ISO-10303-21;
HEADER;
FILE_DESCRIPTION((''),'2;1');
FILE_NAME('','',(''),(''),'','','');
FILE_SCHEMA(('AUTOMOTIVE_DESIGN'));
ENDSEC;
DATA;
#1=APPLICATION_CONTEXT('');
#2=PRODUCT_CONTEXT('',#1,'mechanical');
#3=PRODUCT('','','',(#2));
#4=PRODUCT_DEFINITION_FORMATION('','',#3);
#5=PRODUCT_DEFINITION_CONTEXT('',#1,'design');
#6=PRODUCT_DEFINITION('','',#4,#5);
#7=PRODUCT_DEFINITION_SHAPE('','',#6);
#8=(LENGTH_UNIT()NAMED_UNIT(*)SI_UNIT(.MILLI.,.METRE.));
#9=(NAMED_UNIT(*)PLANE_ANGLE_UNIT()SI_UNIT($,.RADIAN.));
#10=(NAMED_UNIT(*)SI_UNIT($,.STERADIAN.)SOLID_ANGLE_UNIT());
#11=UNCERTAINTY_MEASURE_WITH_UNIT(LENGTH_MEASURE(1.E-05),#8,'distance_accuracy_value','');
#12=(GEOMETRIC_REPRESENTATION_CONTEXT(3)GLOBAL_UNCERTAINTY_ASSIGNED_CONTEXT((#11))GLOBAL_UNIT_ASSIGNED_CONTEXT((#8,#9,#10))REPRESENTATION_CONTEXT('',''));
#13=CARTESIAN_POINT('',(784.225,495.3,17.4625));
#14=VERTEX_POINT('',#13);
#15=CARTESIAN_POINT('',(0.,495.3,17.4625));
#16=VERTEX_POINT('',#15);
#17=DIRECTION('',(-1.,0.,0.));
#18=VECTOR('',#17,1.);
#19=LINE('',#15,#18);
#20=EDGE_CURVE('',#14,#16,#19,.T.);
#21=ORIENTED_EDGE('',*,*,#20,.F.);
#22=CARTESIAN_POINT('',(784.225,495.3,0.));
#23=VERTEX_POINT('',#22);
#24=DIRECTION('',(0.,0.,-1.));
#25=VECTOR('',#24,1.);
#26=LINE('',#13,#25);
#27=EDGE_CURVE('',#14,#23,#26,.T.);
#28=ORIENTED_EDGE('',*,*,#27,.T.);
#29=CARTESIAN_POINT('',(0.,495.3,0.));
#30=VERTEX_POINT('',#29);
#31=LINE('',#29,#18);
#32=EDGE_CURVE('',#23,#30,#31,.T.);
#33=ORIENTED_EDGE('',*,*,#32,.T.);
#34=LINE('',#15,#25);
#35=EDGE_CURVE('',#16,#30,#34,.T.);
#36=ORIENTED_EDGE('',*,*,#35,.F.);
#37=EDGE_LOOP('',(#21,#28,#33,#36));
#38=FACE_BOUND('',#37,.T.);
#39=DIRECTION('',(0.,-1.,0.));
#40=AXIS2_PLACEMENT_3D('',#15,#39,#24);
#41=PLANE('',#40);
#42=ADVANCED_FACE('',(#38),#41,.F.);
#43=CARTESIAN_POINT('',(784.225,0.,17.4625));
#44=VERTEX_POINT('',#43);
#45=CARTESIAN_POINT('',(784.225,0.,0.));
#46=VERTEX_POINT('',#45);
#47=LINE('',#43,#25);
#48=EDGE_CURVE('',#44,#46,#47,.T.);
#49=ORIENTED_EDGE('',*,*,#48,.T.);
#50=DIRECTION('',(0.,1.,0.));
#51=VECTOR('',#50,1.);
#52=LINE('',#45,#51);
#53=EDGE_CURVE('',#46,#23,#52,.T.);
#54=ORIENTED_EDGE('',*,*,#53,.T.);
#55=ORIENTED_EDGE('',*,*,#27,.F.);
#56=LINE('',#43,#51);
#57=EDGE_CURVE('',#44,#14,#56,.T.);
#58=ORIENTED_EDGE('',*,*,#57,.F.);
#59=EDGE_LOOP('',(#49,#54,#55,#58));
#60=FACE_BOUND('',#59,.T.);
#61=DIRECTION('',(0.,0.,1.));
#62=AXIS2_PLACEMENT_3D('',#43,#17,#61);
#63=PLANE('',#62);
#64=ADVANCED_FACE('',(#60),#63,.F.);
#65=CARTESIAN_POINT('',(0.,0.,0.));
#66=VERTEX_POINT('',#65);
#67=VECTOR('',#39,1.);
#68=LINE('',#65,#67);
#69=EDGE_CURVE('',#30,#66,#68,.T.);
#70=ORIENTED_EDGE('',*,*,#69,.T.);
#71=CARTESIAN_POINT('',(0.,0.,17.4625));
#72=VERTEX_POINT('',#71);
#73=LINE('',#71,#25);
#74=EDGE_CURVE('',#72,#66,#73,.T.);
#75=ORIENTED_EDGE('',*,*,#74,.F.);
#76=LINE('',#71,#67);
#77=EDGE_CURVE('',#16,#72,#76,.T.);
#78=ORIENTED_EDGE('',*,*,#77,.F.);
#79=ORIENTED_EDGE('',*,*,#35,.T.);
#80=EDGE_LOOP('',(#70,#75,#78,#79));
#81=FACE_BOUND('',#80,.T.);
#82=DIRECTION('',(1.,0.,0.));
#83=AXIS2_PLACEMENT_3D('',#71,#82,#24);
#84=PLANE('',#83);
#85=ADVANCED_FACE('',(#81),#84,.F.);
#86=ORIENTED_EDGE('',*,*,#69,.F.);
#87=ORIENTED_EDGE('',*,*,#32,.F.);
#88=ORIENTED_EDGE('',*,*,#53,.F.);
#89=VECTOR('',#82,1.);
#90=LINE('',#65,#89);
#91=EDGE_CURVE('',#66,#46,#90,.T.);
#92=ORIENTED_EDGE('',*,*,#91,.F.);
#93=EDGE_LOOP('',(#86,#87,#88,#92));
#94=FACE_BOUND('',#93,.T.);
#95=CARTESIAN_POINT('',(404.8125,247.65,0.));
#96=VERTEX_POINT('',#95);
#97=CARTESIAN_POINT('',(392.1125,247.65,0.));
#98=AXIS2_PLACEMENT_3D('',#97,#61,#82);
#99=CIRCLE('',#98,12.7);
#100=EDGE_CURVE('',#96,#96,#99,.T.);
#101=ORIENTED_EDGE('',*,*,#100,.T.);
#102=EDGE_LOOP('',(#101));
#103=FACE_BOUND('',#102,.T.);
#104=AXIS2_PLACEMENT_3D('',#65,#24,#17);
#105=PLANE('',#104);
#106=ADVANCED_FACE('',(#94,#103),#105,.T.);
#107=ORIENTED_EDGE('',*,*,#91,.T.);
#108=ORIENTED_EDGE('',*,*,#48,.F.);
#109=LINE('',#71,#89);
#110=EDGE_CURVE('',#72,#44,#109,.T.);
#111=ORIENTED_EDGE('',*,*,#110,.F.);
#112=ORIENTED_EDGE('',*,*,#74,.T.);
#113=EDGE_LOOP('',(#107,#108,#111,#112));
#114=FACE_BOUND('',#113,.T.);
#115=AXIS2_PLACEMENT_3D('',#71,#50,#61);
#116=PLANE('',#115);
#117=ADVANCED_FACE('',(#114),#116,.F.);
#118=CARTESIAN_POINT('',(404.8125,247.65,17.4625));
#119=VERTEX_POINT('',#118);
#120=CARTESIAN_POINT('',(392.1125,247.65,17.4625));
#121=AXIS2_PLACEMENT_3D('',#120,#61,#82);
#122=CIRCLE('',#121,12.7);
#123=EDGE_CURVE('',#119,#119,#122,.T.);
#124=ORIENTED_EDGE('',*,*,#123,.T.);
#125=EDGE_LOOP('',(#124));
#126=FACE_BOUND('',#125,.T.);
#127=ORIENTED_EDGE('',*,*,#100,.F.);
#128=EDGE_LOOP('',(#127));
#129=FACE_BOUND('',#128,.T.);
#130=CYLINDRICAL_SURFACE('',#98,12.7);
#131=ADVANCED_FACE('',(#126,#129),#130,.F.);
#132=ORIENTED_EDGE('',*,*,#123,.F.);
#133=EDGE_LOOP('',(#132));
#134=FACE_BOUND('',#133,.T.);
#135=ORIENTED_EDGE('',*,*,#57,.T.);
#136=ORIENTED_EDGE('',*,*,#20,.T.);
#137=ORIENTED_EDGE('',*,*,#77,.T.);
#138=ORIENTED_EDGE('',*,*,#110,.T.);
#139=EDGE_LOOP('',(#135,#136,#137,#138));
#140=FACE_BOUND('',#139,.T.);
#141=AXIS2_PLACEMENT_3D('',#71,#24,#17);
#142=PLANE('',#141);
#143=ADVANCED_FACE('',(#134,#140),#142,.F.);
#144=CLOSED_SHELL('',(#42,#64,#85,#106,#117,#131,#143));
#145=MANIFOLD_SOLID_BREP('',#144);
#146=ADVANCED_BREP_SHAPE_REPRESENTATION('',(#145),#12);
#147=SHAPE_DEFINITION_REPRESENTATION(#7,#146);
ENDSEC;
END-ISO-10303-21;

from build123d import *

# Parameters (mm, degrees)
SKETCH1_W           = 784.225
SKETCH1_H           = 495.3
BOSS_EXTRUDE1_DEPTH = 17.4625
SKETCH2_R           = 12.7
CUT_EXTRUDE1_DEPTH  = 17.4625


with BuildPart() as part:
    # Sketch1 → Boss-Extrude1 (new body)
    with BuildSketch(Plane.XY):
        with Locations((392.1125, 247.65)):
            Rectangle(SKETCH1_W, SKETCH1_H)
    extrude(amount=BOSS_EXTRUDE1_DEPTH)

    # Sketch2 → Cut-Extrude1 (cut)
    with BuildSketch(Plane.XY.offset(17.4625)):
        with Locations((392.1125, 247.65)):
            Circle(SKETCH2_R)
    extrude(amount=-CUT_EXTRUDE1_DEPTH, mode=Mode.SUBTRACT)


solid = part.part
